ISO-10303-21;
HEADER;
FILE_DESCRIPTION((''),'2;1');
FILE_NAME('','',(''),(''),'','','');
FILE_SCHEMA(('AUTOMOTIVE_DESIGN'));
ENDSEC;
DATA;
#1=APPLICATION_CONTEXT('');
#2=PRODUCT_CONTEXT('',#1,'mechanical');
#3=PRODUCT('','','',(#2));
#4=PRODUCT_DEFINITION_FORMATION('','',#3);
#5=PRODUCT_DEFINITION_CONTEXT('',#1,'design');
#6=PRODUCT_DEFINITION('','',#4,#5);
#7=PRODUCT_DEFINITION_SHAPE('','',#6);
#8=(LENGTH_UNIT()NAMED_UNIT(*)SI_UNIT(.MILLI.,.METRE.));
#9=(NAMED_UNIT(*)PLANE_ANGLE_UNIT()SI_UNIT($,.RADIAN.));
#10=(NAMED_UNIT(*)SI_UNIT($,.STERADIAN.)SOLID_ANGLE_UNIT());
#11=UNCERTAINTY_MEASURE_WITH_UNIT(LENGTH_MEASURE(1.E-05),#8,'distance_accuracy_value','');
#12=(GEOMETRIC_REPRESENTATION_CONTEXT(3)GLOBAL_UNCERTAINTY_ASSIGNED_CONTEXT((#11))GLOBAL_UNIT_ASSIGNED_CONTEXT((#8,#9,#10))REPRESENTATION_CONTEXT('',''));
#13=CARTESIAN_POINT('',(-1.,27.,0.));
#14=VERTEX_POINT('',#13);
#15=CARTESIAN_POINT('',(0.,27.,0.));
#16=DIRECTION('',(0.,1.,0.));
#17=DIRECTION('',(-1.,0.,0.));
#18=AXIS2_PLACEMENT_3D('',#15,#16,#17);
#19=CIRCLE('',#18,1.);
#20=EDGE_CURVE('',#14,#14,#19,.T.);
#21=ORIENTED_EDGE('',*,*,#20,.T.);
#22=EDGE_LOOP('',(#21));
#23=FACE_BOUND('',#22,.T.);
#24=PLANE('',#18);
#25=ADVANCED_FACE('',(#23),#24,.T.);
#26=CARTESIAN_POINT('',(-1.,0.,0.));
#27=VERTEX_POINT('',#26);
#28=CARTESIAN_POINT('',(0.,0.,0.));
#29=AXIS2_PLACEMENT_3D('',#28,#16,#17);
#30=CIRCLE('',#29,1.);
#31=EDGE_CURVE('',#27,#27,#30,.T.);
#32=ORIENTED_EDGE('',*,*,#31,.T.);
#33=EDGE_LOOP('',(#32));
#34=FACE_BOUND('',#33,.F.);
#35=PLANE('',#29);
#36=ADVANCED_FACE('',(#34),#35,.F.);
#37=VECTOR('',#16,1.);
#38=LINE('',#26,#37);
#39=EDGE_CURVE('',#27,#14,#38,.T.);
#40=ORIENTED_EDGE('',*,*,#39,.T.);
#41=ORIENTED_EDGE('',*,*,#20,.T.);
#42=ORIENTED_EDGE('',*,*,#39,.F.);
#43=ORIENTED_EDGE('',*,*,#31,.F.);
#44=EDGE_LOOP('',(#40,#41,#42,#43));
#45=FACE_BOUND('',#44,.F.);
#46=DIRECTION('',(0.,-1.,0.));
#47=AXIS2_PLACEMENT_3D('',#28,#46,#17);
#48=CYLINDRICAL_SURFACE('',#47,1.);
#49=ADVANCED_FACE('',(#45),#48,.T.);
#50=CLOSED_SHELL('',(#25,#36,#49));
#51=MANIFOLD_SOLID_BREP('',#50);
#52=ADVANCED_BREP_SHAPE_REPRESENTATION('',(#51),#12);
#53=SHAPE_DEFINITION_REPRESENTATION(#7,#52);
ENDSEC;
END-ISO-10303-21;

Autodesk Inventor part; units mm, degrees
ref_plane "YZ Plane" through (0, 0, 0) normal (1, 0, 0) x (0, 1, 0)
ref_plane "XZ Plane" through (0, 0, 0) normal (0, 1, 0) x (-1, 0, 0)
ref_plane "XY Plane" through (0, 0, 0) normal (0, 0, 1) x (1, 0, 0)
sketch "Sketch1" plane through (0, 0, 0) normal (0, 1, 0) x (-1, 0, 0)
  circle A0 centre (0, 0) radius 1
  dimension "d0" = 2
extrude "Extrusion1" add sketch "Sketch1" along normal blind 27
properties part number "stick"
